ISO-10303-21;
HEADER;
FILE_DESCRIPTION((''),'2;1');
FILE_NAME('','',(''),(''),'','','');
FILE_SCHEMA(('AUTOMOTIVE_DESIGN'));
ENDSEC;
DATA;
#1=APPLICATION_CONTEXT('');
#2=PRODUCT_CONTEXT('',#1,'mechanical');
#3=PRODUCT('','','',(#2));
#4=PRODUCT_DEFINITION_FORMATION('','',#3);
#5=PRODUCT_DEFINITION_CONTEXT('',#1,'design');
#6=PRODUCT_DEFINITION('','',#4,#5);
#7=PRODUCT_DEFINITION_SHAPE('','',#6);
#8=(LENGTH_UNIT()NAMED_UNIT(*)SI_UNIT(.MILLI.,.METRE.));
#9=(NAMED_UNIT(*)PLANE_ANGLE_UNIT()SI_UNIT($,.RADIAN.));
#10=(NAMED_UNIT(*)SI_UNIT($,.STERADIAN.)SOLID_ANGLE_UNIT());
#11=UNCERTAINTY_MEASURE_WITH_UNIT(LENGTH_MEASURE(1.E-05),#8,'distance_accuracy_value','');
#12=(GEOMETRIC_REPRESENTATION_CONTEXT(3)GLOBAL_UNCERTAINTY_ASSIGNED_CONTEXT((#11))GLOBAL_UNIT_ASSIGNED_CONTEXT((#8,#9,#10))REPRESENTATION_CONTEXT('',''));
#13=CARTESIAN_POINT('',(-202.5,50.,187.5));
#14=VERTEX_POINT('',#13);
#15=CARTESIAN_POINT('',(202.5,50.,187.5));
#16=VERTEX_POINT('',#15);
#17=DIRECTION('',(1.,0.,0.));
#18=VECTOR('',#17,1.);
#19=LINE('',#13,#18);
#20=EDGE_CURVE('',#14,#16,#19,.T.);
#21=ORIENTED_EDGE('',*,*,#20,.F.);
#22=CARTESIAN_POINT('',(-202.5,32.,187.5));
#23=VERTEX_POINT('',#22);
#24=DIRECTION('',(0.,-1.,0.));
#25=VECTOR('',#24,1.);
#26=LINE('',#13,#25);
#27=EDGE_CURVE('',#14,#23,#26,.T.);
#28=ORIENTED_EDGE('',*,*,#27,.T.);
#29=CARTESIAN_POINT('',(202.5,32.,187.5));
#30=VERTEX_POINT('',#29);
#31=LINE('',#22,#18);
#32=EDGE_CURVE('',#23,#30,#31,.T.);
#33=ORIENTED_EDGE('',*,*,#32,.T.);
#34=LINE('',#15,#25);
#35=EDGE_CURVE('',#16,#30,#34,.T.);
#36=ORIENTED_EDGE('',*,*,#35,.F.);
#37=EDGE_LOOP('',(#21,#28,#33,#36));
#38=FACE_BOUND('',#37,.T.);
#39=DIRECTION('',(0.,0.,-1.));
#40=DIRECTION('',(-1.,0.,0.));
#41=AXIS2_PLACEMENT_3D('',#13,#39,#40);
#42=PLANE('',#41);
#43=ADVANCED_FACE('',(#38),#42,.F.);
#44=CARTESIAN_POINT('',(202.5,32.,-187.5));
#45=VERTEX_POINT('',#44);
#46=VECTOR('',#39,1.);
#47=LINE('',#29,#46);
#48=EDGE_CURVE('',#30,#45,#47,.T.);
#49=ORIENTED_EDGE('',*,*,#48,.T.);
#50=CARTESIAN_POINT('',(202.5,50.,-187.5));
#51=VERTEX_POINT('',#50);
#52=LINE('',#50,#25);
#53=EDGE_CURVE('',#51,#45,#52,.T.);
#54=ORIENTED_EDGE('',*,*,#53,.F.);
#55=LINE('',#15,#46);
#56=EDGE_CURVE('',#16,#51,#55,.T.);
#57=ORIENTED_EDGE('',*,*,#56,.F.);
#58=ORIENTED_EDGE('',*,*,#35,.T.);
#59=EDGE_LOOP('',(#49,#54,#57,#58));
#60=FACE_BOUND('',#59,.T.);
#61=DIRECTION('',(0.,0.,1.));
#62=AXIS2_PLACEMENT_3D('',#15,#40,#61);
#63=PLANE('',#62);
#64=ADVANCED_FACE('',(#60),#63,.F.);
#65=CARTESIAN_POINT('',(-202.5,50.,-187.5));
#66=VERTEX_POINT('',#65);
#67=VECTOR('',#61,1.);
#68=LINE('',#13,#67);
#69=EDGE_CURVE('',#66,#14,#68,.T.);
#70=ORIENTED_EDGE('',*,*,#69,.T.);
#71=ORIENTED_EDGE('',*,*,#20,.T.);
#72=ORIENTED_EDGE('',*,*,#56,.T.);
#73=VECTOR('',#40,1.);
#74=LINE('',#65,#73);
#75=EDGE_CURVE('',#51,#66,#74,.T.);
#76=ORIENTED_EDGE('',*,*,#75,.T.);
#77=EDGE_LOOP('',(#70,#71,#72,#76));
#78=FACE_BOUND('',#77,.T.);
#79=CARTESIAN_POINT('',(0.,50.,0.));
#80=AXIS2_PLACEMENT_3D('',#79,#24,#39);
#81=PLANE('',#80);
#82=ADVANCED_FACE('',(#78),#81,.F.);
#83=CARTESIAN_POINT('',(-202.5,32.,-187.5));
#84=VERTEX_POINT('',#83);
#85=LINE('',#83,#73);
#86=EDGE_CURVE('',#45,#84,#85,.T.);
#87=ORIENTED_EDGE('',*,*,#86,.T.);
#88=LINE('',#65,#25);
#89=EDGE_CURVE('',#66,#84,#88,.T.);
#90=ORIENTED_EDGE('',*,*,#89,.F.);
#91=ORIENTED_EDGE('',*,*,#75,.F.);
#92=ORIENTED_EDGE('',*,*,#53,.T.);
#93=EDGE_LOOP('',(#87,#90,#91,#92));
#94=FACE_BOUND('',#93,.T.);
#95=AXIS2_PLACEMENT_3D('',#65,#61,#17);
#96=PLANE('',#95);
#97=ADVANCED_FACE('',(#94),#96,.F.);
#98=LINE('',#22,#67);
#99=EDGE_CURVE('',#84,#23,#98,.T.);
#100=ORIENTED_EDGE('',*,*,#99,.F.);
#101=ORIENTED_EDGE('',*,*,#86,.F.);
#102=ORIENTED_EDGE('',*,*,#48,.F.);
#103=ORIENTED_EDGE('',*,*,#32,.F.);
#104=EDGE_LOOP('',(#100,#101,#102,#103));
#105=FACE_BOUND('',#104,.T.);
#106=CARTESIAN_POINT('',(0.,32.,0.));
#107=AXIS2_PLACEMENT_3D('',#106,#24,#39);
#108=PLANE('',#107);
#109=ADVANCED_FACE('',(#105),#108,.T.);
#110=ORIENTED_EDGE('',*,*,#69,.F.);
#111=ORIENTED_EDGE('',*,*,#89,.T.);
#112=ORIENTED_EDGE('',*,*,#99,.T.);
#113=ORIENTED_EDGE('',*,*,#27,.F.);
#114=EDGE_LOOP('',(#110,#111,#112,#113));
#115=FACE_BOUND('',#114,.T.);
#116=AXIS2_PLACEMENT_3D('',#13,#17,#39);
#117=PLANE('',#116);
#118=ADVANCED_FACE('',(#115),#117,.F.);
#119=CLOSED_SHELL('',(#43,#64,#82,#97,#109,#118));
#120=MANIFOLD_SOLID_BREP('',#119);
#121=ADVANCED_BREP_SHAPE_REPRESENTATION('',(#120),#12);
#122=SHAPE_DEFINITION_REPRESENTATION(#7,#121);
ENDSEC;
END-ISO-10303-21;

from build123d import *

# Parameters (mm, degrees)
SKDOBSONBASEMOVIL_W   = 405
SKDOBSONBASEMOVIL_H   = 375
DOBSONBASEMOVIL_DEPTH = 18


with BuildPart() as part:
    # SkDobsonBaseMovil → DobsonBaseMovil (new body)
    with BuildSketch(Plane(origin=(0, 32, 0), x_dir=(1, 0, 0), z_dir=(0, 1, 0))):
        Rectangle(SKDOBSONBASEMOVIL_W, SKDOBSONBASEMOVIL_H)
    extrude(amount=DOBSONBASEMOVIL_DEPTH)


solid = part.part
